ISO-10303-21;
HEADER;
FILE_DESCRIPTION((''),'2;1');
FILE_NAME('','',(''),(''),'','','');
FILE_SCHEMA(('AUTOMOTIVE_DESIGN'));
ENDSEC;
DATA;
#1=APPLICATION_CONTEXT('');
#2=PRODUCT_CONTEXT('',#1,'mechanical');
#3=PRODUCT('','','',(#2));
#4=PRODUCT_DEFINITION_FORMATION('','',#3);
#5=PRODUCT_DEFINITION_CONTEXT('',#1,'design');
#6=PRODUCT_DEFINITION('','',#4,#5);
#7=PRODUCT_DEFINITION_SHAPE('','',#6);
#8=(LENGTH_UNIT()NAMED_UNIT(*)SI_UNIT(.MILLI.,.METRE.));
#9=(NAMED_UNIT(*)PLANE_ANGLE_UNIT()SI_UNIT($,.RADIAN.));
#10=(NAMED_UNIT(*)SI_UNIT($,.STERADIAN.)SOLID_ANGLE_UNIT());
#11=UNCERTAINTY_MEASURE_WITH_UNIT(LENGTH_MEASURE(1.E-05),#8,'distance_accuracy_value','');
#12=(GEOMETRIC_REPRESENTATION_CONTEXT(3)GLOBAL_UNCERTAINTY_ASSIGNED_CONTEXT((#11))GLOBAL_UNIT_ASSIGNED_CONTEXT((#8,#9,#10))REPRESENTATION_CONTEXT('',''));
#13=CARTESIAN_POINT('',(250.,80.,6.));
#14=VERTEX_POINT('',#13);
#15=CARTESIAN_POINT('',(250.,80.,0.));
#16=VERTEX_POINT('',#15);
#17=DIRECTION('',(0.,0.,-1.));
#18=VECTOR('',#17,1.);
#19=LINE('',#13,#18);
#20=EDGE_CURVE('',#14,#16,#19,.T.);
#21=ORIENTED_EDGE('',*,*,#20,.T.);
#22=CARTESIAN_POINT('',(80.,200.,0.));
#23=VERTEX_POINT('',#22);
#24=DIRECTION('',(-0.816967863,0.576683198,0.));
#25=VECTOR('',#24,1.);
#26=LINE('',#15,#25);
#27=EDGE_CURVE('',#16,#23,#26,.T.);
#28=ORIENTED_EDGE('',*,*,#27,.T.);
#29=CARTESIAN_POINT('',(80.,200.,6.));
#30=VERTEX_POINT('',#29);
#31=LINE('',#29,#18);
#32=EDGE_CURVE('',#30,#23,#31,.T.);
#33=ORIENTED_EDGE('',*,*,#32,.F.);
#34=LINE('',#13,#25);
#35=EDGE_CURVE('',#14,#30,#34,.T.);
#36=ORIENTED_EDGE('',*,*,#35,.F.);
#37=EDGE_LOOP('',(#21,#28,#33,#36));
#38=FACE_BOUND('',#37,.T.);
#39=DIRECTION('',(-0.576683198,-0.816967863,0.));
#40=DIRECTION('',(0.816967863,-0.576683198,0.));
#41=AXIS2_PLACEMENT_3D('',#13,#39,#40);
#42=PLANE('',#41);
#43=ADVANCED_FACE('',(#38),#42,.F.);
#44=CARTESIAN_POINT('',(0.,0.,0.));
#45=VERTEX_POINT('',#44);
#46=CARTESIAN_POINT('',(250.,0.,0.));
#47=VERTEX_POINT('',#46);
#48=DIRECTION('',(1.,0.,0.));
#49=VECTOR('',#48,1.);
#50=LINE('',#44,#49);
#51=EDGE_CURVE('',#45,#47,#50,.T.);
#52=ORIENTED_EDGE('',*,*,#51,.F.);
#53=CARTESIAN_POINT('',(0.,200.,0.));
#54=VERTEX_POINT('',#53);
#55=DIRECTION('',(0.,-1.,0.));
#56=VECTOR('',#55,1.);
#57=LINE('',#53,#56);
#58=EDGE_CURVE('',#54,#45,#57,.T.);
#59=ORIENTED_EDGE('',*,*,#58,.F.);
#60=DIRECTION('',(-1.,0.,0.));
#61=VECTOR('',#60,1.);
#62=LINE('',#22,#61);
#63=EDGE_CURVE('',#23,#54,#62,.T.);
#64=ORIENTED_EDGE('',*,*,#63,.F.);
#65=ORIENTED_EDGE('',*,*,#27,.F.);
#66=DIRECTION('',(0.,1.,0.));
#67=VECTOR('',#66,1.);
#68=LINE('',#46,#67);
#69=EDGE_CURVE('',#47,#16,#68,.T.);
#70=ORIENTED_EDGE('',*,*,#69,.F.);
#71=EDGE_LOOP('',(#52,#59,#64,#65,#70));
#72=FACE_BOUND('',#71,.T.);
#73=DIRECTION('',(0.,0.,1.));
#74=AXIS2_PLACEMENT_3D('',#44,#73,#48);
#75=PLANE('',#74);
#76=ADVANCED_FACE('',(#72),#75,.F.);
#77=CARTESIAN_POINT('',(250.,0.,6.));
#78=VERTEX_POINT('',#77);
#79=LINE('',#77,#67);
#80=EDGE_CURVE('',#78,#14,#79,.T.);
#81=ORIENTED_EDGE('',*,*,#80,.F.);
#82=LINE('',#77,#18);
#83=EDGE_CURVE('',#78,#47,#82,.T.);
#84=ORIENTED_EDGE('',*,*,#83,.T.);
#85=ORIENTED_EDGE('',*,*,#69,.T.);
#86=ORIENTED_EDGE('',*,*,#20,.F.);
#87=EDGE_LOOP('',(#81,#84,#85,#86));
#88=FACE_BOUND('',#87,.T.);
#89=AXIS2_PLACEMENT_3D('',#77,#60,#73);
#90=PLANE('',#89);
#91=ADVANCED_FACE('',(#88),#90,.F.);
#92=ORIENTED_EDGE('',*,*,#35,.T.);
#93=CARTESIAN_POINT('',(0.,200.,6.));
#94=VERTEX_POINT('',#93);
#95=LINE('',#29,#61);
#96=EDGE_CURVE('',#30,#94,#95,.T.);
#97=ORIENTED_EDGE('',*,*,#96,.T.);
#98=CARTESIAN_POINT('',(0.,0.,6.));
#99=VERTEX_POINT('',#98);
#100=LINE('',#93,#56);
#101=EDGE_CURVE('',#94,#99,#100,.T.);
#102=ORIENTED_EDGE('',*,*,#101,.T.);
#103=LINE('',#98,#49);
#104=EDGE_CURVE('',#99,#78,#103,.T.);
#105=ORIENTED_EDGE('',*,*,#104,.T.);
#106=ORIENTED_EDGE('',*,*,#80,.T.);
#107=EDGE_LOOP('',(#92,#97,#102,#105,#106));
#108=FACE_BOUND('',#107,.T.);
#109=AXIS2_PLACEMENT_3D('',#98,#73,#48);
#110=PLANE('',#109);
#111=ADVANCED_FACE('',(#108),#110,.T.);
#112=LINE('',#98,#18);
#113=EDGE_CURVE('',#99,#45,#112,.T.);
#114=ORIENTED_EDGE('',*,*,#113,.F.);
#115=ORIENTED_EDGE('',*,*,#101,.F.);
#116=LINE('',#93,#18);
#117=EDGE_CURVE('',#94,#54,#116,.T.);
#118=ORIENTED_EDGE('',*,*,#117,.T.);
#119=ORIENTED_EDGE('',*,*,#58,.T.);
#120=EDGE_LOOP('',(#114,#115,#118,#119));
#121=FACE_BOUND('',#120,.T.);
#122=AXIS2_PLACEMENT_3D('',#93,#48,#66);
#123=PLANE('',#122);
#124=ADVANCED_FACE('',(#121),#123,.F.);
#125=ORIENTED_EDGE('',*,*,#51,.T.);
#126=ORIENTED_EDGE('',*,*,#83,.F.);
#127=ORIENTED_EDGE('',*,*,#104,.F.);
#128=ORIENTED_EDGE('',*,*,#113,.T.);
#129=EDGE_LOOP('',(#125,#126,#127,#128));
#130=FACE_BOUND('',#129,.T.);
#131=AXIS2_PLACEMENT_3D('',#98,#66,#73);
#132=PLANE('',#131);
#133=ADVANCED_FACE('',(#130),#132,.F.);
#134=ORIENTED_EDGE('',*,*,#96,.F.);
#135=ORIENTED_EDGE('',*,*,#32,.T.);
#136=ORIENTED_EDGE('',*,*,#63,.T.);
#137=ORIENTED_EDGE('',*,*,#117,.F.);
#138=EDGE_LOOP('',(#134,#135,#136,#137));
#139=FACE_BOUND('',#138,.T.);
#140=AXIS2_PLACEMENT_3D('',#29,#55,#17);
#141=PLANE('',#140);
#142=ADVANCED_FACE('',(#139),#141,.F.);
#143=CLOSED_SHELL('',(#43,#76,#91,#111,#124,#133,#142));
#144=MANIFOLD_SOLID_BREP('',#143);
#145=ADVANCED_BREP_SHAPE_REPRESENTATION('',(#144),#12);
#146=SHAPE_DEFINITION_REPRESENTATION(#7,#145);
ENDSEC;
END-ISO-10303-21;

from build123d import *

# Parameters (mm, degrees)
SALIENTE_EXTRUIR1_DEPTH = 6


with BuildPart() as part:
    # Croquis1 → Saliente-Extruir1 (new body)
    with BuildSketch(Plane.XY):
        Polygon((0, 0), (250, 0), (250, 80), (80, 200), (0, 200), align=None)
    extrude(amount=SALIENTE_EXTRUIR1_DEPTH)


solid = part.part
